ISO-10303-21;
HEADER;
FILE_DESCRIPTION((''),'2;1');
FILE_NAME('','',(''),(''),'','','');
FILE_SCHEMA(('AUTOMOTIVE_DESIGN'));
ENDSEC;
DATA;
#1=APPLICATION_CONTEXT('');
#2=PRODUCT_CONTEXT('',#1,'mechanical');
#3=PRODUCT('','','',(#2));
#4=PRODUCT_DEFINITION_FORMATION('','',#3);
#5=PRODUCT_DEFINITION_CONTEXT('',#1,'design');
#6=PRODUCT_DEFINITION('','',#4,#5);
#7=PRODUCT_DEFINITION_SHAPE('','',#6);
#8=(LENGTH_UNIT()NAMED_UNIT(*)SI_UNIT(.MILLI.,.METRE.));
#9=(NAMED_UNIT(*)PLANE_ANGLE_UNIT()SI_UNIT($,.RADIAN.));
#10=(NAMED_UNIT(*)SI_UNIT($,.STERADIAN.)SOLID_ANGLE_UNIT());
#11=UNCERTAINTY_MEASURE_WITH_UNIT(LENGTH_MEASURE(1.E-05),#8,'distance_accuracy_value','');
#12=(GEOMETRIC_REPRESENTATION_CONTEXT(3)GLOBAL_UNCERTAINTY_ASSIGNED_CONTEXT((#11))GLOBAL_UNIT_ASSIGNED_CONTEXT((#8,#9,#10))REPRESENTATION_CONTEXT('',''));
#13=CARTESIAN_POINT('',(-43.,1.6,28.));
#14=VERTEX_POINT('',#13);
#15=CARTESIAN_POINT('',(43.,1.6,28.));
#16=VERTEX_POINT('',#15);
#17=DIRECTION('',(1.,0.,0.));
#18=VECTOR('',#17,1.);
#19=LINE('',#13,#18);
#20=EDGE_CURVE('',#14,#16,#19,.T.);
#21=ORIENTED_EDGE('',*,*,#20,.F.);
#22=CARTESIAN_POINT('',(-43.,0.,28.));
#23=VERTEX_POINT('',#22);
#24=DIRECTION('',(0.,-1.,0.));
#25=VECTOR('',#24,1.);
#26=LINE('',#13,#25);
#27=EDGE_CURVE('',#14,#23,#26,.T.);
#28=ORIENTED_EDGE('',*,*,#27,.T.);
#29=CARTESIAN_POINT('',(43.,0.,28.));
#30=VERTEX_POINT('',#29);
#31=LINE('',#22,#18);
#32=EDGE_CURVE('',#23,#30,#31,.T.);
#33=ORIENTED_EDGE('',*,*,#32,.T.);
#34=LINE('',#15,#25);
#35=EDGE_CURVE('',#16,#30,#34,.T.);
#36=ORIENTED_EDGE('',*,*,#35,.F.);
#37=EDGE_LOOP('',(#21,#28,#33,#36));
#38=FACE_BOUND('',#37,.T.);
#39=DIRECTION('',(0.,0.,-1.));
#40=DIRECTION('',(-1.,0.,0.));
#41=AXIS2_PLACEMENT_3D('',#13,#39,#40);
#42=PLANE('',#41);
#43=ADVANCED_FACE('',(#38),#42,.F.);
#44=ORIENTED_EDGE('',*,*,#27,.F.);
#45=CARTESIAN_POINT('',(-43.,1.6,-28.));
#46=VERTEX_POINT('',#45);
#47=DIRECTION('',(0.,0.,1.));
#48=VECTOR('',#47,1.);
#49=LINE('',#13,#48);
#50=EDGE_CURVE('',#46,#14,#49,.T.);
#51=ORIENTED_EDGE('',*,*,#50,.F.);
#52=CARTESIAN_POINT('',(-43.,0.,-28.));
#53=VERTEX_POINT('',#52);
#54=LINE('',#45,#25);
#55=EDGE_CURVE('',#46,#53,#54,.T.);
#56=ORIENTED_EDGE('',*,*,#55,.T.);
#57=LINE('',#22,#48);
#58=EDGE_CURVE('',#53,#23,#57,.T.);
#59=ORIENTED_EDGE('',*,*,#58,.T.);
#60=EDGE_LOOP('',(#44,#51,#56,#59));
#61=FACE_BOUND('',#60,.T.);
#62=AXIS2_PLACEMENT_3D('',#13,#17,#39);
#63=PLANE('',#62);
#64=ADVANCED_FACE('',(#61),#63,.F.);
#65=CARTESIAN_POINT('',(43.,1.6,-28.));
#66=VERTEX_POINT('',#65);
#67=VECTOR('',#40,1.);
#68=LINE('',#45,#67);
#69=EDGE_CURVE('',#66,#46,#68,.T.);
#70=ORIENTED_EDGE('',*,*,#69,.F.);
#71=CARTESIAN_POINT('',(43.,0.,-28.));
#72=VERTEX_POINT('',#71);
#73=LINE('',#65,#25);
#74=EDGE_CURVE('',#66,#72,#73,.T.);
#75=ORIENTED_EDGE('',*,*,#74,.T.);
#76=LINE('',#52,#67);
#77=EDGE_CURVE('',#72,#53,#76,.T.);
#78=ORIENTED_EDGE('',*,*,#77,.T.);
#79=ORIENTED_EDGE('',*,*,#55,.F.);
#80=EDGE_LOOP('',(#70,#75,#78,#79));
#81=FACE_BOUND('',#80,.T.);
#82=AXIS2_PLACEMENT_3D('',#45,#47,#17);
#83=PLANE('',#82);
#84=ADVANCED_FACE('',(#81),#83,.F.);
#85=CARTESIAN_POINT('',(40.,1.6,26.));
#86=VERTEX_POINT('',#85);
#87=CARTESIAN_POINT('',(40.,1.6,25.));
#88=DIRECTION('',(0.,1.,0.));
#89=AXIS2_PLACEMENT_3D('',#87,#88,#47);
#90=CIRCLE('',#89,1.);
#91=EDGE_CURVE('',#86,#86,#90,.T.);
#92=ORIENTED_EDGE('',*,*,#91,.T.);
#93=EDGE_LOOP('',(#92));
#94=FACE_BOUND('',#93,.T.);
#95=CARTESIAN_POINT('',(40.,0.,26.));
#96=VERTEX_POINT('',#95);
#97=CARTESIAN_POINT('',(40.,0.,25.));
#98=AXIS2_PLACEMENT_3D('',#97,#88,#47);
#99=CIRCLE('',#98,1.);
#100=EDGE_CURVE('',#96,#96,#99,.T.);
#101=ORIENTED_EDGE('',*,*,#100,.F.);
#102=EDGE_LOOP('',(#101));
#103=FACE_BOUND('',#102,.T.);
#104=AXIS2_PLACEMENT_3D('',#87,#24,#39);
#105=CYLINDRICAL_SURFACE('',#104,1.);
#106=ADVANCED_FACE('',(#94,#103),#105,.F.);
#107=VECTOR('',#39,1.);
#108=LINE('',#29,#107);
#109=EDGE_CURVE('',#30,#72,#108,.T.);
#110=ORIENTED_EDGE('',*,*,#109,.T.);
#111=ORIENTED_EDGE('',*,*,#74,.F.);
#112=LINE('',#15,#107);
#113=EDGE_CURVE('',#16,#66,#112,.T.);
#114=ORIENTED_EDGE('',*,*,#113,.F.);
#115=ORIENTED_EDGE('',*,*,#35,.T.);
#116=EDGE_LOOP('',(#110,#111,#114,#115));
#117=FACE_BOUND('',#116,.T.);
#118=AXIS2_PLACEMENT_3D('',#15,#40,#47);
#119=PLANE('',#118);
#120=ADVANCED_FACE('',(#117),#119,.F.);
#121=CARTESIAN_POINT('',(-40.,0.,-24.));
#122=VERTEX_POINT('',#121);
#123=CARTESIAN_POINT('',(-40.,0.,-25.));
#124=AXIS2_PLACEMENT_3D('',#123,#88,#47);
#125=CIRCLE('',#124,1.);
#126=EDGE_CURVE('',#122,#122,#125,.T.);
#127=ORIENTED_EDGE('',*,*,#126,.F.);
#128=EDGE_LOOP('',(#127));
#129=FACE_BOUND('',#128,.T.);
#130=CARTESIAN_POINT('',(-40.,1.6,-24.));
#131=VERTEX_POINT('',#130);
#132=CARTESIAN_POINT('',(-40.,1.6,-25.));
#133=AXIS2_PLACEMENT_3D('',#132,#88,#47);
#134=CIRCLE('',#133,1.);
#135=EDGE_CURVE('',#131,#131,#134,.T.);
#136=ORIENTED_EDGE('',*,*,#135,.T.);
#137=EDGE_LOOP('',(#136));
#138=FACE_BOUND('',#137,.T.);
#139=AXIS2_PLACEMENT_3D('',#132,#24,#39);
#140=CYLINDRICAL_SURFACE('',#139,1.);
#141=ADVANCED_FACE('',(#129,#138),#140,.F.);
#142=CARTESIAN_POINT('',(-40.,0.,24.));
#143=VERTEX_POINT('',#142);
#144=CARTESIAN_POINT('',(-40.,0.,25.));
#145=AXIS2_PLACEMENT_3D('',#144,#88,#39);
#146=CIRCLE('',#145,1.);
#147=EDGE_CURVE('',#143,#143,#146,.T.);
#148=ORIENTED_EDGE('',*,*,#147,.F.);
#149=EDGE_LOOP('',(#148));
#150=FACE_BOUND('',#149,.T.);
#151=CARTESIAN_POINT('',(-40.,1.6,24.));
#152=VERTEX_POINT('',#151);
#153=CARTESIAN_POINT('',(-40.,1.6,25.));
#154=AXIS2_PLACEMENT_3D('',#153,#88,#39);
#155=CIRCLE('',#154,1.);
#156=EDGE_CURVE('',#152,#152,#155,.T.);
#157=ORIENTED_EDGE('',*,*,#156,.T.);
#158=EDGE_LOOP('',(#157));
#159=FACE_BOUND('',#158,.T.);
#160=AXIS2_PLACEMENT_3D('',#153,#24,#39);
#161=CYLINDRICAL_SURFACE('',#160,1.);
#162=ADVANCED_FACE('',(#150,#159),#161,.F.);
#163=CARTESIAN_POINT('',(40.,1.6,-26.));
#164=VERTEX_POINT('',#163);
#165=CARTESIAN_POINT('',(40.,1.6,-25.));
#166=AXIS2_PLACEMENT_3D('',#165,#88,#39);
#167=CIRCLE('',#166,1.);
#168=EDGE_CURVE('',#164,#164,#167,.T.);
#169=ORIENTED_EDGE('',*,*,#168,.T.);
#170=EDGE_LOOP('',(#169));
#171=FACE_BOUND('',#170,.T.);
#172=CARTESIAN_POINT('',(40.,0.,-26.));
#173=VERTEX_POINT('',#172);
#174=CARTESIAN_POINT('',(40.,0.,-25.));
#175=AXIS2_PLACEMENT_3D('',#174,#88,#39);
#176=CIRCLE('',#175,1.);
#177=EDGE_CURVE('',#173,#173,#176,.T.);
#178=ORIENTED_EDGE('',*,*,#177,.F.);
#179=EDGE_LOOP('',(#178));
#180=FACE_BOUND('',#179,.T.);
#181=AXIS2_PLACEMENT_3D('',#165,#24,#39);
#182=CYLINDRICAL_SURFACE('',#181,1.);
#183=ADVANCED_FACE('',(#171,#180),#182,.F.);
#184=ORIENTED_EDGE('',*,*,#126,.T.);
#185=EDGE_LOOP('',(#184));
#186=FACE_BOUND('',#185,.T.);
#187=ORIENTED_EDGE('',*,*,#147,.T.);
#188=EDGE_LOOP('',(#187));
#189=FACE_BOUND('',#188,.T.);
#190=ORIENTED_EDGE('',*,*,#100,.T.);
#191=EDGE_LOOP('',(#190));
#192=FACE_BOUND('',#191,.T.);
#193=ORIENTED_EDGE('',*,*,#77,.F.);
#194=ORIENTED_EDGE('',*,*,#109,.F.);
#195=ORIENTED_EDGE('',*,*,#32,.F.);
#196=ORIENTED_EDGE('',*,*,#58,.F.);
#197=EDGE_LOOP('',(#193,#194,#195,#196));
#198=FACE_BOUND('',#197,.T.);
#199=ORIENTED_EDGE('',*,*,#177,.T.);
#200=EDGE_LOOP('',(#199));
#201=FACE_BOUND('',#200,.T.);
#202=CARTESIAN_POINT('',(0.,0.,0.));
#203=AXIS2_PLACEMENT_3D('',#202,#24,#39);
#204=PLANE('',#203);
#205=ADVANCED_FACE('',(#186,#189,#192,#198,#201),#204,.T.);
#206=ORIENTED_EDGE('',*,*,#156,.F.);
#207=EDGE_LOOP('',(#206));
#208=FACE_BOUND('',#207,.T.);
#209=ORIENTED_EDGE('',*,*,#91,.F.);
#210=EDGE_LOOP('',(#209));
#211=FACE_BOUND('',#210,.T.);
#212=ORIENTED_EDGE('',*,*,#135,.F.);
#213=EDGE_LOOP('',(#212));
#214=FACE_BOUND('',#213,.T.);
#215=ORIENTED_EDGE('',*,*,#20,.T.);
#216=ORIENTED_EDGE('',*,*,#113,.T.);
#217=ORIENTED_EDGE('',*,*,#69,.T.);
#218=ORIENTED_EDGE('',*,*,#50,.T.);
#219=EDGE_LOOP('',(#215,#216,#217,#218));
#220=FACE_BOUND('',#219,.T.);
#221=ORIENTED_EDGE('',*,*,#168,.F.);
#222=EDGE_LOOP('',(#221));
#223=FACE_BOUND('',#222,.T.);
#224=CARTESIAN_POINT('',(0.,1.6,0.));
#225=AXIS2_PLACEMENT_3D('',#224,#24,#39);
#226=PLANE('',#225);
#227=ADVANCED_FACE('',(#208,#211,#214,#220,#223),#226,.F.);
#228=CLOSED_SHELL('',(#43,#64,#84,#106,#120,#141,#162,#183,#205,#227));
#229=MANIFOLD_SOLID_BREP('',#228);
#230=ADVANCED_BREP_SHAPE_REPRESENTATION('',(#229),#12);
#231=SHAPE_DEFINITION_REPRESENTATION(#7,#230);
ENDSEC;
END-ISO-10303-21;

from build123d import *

# Parameters (mm, degrees)
SKETCH_2_W      = 86
SKETCH_2_H      = 56
SKETCH_2_R      = 1
EXTRUDE_1_DEPTH = 1.6


with BuildPart() as part:
    # 草图2 → 凸台-拉伸1 (new body)
    with BuildSketch(Plane(origin=(0, 0, 0), x_dir=(1, 0, 0), z_dir=(0, 1, 0))):
        Rectangle(SKETCH_2_W, SKETCH_2_H)
        with Locations(Location((-40, 25, 0), (0, 0, 270))):
            Circle(SKETCH_2_R, mode=Mode.SUBTRACT)
        with Locations(Location((40, 25, 0), (0, 0, 90))):
            Circle(SKETCH_2_R, mode=Mode.SUBTRACT)
        with Locations(Location((40, -25, 0), (0, 0, 270))):
            Circle(SKETCH_2_R, mode=Mode.SUBTRACT)
        with Locations(Location((-40, -25, 0), (0, 0, 90))):
            Circle(SKETCH_2_R, mode=Mode.SUBTRACT)
    extrude(amount=EXTRUDE_1_DEPTH)


solid = part.part
